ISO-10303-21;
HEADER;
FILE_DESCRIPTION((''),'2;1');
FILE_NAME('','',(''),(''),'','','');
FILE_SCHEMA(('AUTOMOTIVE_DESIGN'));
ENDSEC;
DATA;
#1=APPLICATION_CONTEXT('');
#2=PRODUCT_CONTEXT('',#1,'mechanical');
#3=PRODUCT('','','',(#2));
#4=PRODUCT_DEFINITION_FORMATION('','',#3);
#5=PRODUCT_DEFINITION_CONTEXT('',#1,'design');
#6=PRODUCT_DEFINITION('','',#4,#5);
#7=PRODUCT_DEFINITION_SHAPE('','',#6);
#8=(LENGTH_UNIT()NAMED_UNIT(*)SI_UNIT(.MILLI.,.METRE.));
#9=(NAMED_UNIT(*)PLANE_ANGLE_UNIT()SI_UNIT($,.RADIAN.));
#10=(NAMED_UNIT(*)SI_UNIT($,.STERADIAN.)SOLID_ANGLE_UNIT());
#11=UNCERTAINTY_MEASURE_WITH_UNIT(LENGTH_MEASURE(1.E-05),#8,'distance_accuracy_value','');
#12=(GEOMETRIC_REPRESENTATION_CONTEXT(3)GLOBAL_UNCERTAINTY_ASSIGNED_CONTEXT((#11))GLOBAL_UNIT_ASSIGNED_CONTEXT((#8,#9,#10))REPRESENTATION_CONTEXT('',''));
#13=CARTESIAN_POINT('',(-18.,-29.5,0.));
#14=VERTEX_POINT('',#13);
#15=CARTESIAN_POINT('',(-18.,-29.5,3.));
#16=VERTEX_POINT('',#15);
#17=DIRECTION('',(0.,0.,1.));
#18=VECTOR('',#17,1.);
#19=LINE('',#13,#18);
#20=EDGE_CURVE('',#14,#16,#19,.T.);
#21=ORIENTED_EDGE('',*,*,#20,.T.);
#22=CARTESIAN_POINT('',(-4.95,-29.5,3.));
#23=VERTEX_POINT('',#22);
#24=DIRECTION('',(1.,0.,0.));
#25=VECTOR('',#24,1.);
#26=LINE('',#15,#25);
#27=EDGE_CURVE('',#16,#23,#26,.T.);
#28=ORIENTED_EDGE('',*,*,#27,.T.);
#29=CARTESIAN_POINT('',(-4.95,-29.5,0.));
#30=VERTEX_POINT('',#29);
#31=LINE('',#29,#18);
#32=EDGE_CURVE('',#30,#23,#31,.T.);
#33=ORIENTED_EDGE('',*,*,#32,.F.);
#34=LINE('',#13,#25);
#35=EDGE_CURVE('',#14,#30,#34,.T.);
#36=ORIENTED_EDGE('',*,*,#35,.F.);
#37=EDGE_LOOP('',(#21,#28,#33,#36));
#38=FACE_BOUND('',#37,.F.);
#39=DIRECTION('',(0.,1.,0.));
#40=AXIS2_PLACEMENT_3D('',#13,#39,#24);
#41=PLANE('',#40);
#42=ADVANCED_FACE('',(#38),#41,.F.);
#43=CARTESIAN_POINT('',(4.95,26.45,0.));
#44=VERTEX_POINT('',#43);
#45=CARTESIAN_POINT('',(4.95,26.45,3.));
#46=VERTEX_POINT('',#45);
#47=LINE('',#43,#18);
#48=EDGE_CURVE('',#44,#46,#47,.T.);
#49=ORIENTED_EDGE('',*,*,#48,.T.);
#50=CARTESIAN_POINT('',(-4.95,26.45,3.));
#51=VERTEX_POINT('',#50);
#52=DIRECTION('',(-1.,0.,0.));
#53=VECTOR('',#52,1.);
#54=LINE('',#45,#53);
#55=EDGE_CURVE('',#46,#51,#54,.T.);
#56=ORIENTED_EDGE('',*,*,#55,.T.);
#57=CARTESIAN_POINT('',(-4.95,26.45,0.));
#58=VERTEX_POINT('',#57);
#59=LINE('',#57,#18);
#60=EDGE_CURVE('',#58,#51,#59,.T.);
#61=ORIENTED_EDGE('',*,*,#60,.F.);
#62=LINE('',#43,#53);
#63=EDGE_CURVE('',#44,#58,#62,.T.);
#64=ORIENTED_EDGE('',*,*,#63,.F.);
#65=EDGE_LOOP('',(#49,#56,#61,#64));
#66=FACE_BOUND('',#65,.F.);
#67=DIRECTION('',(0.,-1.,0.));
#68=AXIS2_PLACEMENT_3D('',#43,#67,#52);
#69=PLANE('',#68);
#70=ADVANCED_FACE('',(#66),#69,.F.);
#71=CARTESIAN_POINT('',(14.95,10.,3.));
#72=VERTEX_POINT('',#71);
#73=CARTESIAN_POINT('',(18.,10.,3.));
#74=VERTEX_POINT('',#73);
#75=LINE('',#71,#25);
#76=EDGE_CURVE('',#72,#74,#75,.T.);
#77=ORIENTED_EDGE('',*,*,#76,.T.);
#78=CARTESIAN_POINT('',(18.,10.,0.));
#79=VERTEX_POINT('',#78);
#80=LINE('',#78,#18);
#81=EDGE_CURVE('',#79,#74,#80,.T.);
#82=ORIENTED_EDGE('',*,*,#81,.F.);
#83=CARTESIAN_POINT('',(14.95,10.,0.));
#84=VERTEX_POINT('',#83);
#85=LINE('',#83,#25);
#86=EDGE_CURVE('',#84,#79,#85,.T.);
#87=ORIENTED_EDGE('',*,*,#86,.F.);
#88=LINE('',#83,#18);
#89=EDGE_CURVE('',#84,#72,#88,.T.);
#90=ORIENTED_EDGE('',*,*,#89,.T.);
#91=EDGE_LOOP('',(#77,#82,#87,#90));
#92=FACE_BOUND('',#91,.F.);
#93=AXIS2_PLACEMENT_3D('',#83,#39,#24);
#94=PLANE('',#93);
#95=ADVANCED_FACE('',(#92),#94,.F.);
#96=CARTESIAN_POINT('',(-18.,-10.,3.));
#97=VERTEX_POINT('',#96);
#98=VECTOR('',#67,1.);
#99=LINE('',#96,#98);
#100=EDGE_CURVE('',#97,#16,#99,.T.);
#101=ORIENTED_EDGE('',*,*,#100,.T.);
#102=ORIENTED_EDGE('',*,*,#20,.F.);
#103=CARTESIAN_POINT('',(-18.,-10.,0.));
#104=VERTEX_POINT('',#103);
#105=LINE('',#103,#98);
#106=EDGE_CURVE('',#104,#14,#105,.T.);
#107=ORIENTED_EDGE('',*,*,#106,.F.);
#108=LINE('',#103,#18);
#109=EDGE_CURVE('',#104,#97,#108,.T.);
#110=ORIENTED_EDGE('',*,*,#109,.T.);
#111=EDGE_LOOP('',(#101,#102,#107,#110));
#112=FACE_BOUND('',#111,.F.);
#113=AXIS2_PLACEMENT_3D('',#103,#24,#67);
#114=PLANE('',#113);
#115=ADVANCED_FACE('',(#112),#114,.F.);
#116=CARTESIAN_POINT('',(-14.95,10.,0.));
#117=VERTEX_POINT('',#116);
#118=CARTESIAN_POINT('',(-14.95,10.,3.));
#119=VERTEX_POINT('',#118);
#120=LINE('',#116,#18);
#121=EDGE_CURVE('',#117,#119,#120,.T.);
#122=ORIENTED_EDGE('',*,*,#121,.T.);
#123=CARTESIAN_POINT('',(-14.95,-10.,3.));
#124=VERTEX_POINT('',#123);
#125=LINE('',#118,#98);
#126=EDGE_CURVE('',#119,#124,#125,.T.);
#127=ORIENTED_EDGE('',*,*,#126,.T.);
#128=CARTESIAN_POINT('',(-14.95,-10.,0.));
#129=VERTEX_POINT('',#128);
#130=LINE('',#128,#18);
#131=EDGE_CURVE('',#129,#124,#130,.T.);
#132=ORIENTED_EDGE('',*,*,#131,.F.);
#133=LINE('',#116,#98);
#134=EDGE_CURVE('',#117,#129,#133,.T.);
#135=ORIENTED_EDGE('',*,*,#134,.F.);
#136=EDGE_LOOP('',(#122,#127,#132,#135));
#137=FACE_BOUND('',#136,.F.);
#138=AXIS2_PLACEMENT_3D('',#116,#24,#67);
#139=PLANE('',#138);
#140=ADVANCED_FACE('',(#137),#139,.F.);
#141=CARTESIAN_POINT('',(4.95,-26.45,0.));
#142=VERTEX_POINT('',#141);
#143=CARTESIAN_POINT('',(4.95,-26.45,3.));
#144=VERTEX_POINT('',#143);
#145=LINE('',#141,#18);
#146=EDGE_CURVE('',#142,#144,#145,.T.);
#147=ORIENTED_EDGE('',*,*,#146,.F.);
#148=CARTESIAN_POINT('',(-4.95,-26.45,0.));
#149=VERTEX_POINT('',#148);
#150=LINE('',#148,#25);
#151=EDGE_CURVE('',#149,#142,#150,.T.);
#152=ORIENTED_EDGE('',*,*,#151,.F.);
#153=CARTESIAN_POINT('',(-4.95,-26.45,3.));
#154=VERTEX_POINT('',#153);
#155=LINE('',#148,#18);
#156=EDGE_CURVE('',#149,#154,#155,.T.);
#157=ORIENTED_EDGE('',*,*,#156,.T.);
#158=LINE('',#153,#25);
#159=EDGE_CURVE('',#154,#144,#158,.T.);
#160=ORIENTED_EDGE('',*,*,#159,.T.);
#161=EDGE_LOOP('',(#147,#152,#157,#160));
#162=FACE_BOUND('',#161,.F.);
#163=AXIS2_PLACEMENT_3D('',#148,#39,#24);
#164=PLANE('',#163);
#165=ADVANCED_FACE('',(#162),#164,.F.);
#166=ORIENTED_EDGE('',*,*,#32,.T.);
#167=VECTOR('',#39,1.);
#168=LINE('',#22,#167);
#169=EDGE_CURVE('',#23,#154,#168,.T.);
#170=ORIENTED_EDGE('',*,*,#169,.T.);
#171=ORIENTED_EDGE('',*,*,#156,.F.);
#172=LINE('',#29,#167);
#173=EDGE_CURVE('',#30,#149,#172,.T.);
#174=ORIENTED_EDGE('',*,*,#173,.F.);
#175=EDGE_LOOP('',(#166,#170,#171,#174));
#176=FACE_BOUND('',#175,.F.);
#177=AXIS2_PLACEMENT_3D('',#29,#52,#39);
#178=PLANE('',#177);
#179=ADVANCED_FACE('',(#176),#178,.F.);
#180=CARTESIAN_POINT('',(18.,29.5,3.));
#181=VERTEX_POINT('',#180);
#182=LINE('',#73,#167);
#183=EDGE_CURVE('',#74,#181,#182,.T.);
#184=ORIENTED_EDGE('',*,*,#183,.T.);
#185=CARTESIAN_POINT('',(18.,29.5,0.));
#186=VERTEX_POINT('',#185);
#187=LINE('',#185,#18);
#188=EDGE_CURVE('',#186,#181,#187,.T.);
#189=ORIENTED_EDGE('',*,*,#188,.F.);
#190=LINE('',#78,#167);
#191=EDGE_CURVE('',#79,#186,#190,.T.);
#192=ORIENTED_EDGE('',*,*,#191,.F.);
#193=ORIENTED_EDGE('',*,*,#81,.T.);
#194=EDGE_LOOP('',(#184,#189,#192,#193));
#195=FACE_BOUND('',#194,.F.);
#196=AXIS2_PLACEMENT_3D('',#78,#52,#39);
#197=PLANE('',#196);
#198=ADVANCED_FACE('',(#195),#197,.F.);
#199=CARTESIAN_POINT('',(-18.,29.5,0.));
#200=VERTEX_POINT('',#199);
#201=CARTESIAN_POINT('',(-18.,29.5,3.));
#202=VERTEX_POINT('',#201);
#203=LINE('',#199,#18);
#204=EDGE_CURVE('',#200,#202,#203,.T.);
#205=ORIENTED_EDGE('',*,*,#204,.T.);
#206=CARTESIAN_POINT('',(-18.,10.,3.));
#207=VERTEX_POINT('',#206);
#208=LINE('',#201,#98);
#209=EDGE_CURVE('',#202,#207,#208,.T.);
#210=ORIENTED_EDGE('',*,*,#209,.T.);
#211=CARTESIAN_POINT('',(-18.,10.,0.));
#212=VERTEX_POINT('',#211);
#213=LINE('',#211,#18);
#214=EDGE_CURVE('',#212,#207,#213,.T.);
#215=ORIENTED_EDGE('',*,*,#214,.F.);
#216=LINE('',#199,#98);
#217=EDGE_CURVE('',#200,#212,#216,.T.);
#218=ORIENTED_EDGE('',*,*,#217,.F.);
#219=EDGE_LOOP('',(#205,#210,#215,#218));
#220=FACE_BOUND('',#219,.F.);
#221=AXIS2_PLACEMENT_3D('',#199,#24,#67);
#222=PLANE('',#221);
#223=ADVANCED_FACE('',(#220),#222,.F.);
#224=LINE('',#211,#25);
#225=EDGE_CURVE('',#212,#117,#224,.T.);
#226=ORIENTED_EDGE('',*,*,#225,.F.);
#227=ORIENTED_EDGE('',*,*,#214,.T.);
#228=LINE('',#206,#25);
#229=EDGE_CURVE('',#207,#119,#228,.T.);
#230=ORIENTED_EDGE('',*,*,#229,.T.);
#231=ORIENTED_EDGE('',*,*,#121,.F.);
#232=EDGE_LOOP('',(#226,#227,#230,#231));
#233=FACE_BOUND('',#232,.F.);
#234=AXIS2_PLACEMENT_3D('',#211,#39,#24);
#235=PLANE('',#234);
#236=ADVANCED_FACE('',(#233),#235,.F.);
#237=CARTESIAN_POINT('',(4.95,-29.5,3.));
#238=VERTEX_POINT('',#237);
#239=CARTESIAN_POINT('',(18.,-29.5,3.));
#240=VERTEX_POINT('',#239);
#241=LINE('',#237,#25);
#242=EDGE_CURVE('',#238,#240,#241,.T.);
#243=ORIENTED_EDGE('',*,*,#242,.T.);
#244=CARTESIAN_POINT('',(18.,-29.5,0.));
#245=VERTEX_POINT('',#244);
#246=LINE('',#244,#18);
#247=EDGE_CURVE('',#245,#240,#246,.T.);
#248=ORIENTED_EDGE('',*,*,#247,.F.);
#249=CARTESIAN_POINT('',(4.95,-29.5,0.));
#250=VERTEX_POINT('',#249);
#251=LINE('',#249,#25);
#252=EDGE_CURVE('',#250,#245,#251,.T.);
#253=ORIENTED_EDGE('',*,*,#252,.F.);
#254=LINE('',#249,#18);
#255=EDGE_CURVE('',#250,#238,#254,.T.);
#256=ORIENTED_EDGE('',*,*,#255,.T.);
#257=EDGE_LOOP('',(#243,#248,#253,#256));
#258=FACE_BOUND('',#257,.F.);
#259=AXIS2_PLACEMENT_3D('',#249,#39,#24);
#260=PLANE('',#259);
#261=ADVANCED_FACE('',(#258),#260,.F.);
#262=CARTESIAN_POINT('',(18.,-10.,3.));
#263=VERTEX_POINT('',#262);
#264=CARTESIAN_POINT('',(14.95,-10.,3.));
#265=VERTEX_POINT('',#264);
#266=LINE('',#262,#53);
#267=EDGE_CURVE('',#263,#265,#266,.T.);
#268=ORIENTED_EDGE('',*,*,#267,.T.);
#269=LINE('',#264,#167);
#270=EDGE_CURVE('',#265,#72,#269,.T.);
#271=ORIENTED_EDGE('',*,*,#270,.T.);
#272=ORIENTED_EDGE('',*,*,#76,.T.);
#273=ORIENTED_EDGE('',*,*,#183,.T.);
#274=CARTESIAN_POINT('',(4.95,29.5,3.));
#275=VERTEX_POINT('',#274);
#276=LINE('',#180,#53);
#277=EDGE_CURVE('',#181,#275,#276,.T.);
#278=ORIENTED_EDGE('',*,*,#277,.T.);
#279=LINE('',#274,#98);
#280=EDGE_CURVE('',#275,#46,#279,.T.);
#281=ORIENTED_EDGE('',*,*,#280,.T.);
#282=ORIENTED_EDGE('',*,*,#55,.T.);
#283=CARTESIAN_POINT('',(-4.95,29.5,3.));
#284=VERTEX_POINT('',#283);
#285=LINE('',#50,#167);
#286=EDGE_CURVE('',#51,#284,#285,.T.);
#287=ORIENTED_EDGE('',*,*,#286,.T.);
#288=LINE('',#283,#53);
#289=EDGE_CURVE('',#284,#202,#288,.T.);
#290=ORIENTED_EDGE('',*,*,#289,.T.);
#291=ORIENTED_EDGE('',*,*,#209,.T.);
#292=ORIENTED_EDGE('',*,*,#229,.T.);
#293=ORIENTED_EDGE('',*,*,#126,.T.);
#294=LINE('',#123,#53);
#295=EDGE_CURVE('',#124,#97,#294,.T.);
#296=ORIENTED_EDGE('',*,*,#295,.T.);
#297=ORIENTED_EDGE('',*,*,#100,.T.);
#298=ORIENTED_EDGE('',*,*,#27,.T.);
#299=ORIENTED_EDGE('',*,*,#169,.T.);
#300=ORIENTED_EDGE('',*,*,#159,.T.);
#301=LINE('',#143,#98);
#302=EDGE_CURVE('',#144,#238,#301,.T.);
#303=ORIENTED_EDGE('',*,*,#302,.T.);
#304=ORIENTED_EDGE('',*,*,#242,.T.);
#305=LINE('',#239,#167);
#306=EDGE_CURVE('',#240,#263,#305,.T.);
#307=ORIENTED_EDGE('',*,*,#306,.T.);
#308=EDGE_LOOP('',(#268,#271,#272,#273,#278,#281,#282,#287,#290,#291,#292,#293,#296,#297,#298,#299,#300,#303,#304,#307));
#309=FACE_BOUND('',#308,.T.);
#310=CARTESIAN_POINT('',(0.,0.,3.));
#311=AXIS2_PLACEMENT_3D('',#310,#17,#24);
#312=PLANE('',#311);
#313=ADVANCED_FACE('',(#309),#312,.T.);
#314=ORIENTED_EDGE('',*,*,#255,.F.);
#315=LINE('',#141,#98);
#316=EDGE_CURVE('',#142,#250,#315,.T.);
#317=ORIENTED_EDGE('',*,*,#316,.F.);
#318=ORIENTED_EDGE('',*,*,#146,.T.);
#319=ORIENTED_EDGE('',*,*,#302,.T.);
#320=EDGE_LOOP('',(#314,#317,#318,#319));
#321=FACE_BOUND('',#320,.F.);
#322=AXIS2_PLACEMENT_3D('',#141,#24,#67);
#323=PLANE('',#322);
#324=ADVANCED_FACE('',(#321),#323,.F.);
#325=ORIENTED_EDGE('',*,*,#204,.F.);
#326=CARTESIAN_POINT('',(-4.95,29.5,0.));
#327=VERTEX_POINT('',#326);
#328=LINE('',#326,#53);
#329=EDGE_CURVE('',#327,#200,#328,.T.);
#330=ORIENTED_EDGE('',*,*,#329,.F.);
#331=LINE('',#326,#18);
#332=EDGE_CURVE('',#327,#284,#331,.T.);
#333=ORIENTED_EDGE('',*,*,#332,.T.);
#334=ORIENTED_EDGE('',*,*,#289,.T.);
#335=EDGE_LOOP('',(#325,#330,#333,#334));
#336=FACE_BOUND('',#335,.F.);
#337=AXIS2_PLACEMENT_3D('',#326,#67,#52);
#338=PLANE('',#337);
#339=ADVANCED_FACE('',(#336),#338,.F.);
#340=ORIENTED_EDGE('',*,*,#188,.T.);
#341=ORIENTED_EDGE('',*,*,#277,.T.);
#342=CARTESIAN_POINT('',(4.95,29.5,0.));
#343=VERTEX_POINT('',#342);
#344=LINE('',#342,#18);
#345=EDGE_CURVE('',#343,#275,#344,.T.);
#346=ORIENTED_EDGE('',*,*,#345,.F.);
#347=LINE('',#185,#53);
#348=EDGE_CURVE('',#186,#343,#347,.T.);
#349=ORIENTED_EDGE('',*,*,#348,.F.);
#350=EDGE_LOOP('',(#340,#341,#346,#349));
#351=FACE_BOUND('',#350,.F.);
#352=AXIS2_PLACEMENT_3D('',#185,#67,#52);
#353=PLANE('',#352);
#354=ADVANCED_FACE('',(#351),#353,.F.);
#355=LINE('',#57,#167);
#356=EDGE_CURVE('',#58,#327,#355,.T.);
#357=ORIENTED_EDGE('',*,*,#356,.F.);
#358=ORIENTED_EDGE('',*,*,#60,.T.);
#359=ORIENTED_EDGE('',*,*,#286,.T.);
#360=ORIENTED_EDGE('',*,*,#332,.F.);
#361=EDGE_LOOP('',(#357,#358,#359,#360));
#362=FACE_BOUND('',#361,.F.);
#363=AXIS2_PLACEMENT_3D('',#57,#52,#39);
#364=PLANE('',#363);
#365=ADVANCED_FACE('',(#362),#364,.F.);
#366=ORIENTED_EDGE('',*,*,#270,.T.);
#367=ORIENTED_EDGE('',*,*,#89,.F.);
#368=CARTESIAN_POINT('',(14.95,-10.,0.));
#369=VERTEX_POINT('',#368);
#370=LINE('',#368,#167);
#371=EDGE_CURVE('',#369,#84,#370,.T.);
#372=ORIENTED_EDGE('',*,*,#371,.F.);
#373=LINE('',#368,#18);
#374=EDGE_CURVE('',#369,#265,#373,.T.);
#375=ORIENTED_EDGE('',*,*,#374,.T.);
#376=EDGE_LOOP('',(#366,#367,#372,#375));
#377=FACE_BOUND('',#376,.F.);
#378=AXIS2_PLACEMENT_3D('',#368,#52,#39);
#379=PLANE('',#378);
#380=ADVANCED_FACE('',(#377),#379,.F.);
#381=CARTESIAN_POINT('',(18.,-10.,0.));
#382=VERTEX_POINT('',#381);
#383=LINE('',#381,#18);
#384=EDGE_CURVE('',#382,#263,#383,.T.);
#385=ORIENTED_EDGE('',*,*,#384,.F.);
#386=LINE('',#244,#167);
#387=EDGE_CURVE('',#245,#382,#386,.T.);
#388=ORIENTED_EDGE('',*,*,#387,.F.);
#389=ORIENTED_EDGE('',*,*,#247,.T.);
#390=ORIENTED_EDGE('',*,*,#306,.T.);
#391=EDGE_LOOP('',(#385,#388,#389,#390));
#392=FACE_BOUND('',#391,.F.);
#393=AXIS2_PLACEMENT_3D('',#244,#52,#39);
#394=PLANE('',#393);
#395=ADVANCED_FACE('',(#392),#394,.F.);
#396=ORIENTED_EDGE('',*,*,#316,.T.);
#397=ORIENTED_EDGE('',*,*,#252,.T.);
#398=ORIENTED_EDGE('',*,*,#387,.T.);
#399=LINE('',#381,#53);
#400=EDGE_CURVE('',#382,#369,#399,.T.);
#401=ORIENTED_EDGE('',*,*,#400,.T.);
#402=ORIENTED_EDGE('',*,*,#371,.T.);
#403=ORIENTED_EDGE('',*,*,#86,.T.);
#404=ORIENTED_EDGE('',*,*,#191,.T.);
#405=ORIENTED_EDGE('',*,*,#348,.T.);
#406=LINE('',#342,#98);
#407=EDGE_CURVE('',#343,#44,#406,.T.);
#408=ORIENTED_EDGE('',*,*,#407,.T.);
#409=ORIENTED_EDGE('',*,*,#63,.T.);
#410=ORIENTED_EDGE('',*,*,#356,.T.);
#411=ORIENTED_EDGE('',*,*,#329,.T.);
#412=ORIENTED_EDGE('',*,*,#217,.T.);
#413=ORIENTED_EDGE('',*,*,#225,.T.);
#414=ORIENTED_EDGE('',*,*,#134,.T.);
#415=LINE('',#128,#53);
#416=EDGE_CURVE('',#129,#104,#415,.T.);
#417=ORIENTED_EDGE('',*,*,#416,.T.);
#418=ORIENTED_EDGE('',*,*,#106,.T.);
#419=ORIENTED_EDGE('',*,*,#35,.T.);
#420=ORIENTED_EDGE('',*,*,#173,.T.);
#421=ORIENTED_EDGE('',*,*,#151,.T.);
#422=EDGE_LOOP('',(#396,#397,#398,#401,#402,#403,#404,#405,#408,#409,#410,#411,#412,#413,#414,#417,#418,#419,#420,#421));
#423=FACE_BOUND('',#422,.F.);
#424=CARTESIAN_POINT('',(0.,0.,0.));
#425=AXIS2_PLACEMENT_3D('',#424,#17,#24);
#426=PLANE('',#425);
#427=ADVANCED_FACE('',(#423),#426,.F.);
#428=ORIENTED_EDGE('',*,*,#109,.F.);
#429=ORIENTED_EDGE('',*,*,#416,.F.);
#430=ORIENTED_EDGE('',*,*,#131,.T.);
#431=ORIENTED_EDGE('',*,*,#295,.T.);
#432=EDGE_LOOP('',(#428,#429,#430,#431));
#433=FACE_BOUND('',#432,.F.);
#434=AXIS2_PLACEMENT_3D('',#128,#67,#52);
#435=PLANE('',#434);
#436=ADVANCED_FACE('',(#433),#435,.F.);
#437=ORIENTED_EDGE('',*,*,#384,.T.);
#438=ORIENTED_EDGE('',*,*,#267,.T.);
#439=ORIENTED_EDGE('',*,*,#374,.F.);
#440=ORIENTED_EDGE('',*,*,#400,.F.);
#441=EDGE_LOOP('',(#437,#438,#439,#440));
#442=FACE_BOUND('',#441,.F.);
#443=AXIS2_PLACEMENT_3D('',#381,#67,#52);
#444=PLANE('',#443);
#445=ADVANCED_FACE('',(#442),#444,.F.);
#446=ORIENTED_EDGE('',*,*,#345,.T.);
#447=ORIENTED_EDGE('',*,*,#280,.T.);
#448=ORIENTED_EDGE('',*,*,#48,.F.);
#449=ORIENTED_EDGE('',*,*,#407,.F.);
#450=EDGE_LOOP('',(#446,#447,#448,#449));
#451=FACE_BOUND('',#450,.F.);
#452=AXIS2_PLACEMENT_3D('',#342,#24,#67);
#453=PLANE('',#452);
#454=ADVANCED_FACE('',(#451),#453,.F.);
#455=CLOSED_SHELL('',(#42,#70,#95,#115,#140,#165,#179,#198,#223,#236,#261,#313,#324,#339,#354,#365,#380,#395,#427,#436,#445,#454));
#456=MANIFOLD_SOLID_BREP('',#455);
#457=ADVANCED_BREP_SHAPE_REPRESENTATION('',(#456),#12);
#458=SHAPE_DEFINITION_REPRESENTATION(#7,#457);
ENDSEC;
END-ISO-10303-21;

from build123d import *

# Parameters (mm, degrees)
F1_DEPTH = 3


with BuildPart() as f1:
    # F0 (on Top) → F1 (new body)
    with BuildSketch(Plane.XY):
        Polygon((4.95, -29.5), (18, -29.5), (18, -10), (14.95, -10), (14.95, 10), (18, 10), (18, 29.5), (4.95, 29.5), (4.95, 26.45), (-4.95, 26.45), (-4.95, 29.5), (-18, 29.5), (-18, 10), (-14.95, 10), (-14.95, -10), (-18, -10), (-18, -29.5), (-4.95, -29.5), (-4.95, -26.45), (4.95, -26.45), align=None)
    extrude(amount=F1_DEPTH)


solid = f1.part
